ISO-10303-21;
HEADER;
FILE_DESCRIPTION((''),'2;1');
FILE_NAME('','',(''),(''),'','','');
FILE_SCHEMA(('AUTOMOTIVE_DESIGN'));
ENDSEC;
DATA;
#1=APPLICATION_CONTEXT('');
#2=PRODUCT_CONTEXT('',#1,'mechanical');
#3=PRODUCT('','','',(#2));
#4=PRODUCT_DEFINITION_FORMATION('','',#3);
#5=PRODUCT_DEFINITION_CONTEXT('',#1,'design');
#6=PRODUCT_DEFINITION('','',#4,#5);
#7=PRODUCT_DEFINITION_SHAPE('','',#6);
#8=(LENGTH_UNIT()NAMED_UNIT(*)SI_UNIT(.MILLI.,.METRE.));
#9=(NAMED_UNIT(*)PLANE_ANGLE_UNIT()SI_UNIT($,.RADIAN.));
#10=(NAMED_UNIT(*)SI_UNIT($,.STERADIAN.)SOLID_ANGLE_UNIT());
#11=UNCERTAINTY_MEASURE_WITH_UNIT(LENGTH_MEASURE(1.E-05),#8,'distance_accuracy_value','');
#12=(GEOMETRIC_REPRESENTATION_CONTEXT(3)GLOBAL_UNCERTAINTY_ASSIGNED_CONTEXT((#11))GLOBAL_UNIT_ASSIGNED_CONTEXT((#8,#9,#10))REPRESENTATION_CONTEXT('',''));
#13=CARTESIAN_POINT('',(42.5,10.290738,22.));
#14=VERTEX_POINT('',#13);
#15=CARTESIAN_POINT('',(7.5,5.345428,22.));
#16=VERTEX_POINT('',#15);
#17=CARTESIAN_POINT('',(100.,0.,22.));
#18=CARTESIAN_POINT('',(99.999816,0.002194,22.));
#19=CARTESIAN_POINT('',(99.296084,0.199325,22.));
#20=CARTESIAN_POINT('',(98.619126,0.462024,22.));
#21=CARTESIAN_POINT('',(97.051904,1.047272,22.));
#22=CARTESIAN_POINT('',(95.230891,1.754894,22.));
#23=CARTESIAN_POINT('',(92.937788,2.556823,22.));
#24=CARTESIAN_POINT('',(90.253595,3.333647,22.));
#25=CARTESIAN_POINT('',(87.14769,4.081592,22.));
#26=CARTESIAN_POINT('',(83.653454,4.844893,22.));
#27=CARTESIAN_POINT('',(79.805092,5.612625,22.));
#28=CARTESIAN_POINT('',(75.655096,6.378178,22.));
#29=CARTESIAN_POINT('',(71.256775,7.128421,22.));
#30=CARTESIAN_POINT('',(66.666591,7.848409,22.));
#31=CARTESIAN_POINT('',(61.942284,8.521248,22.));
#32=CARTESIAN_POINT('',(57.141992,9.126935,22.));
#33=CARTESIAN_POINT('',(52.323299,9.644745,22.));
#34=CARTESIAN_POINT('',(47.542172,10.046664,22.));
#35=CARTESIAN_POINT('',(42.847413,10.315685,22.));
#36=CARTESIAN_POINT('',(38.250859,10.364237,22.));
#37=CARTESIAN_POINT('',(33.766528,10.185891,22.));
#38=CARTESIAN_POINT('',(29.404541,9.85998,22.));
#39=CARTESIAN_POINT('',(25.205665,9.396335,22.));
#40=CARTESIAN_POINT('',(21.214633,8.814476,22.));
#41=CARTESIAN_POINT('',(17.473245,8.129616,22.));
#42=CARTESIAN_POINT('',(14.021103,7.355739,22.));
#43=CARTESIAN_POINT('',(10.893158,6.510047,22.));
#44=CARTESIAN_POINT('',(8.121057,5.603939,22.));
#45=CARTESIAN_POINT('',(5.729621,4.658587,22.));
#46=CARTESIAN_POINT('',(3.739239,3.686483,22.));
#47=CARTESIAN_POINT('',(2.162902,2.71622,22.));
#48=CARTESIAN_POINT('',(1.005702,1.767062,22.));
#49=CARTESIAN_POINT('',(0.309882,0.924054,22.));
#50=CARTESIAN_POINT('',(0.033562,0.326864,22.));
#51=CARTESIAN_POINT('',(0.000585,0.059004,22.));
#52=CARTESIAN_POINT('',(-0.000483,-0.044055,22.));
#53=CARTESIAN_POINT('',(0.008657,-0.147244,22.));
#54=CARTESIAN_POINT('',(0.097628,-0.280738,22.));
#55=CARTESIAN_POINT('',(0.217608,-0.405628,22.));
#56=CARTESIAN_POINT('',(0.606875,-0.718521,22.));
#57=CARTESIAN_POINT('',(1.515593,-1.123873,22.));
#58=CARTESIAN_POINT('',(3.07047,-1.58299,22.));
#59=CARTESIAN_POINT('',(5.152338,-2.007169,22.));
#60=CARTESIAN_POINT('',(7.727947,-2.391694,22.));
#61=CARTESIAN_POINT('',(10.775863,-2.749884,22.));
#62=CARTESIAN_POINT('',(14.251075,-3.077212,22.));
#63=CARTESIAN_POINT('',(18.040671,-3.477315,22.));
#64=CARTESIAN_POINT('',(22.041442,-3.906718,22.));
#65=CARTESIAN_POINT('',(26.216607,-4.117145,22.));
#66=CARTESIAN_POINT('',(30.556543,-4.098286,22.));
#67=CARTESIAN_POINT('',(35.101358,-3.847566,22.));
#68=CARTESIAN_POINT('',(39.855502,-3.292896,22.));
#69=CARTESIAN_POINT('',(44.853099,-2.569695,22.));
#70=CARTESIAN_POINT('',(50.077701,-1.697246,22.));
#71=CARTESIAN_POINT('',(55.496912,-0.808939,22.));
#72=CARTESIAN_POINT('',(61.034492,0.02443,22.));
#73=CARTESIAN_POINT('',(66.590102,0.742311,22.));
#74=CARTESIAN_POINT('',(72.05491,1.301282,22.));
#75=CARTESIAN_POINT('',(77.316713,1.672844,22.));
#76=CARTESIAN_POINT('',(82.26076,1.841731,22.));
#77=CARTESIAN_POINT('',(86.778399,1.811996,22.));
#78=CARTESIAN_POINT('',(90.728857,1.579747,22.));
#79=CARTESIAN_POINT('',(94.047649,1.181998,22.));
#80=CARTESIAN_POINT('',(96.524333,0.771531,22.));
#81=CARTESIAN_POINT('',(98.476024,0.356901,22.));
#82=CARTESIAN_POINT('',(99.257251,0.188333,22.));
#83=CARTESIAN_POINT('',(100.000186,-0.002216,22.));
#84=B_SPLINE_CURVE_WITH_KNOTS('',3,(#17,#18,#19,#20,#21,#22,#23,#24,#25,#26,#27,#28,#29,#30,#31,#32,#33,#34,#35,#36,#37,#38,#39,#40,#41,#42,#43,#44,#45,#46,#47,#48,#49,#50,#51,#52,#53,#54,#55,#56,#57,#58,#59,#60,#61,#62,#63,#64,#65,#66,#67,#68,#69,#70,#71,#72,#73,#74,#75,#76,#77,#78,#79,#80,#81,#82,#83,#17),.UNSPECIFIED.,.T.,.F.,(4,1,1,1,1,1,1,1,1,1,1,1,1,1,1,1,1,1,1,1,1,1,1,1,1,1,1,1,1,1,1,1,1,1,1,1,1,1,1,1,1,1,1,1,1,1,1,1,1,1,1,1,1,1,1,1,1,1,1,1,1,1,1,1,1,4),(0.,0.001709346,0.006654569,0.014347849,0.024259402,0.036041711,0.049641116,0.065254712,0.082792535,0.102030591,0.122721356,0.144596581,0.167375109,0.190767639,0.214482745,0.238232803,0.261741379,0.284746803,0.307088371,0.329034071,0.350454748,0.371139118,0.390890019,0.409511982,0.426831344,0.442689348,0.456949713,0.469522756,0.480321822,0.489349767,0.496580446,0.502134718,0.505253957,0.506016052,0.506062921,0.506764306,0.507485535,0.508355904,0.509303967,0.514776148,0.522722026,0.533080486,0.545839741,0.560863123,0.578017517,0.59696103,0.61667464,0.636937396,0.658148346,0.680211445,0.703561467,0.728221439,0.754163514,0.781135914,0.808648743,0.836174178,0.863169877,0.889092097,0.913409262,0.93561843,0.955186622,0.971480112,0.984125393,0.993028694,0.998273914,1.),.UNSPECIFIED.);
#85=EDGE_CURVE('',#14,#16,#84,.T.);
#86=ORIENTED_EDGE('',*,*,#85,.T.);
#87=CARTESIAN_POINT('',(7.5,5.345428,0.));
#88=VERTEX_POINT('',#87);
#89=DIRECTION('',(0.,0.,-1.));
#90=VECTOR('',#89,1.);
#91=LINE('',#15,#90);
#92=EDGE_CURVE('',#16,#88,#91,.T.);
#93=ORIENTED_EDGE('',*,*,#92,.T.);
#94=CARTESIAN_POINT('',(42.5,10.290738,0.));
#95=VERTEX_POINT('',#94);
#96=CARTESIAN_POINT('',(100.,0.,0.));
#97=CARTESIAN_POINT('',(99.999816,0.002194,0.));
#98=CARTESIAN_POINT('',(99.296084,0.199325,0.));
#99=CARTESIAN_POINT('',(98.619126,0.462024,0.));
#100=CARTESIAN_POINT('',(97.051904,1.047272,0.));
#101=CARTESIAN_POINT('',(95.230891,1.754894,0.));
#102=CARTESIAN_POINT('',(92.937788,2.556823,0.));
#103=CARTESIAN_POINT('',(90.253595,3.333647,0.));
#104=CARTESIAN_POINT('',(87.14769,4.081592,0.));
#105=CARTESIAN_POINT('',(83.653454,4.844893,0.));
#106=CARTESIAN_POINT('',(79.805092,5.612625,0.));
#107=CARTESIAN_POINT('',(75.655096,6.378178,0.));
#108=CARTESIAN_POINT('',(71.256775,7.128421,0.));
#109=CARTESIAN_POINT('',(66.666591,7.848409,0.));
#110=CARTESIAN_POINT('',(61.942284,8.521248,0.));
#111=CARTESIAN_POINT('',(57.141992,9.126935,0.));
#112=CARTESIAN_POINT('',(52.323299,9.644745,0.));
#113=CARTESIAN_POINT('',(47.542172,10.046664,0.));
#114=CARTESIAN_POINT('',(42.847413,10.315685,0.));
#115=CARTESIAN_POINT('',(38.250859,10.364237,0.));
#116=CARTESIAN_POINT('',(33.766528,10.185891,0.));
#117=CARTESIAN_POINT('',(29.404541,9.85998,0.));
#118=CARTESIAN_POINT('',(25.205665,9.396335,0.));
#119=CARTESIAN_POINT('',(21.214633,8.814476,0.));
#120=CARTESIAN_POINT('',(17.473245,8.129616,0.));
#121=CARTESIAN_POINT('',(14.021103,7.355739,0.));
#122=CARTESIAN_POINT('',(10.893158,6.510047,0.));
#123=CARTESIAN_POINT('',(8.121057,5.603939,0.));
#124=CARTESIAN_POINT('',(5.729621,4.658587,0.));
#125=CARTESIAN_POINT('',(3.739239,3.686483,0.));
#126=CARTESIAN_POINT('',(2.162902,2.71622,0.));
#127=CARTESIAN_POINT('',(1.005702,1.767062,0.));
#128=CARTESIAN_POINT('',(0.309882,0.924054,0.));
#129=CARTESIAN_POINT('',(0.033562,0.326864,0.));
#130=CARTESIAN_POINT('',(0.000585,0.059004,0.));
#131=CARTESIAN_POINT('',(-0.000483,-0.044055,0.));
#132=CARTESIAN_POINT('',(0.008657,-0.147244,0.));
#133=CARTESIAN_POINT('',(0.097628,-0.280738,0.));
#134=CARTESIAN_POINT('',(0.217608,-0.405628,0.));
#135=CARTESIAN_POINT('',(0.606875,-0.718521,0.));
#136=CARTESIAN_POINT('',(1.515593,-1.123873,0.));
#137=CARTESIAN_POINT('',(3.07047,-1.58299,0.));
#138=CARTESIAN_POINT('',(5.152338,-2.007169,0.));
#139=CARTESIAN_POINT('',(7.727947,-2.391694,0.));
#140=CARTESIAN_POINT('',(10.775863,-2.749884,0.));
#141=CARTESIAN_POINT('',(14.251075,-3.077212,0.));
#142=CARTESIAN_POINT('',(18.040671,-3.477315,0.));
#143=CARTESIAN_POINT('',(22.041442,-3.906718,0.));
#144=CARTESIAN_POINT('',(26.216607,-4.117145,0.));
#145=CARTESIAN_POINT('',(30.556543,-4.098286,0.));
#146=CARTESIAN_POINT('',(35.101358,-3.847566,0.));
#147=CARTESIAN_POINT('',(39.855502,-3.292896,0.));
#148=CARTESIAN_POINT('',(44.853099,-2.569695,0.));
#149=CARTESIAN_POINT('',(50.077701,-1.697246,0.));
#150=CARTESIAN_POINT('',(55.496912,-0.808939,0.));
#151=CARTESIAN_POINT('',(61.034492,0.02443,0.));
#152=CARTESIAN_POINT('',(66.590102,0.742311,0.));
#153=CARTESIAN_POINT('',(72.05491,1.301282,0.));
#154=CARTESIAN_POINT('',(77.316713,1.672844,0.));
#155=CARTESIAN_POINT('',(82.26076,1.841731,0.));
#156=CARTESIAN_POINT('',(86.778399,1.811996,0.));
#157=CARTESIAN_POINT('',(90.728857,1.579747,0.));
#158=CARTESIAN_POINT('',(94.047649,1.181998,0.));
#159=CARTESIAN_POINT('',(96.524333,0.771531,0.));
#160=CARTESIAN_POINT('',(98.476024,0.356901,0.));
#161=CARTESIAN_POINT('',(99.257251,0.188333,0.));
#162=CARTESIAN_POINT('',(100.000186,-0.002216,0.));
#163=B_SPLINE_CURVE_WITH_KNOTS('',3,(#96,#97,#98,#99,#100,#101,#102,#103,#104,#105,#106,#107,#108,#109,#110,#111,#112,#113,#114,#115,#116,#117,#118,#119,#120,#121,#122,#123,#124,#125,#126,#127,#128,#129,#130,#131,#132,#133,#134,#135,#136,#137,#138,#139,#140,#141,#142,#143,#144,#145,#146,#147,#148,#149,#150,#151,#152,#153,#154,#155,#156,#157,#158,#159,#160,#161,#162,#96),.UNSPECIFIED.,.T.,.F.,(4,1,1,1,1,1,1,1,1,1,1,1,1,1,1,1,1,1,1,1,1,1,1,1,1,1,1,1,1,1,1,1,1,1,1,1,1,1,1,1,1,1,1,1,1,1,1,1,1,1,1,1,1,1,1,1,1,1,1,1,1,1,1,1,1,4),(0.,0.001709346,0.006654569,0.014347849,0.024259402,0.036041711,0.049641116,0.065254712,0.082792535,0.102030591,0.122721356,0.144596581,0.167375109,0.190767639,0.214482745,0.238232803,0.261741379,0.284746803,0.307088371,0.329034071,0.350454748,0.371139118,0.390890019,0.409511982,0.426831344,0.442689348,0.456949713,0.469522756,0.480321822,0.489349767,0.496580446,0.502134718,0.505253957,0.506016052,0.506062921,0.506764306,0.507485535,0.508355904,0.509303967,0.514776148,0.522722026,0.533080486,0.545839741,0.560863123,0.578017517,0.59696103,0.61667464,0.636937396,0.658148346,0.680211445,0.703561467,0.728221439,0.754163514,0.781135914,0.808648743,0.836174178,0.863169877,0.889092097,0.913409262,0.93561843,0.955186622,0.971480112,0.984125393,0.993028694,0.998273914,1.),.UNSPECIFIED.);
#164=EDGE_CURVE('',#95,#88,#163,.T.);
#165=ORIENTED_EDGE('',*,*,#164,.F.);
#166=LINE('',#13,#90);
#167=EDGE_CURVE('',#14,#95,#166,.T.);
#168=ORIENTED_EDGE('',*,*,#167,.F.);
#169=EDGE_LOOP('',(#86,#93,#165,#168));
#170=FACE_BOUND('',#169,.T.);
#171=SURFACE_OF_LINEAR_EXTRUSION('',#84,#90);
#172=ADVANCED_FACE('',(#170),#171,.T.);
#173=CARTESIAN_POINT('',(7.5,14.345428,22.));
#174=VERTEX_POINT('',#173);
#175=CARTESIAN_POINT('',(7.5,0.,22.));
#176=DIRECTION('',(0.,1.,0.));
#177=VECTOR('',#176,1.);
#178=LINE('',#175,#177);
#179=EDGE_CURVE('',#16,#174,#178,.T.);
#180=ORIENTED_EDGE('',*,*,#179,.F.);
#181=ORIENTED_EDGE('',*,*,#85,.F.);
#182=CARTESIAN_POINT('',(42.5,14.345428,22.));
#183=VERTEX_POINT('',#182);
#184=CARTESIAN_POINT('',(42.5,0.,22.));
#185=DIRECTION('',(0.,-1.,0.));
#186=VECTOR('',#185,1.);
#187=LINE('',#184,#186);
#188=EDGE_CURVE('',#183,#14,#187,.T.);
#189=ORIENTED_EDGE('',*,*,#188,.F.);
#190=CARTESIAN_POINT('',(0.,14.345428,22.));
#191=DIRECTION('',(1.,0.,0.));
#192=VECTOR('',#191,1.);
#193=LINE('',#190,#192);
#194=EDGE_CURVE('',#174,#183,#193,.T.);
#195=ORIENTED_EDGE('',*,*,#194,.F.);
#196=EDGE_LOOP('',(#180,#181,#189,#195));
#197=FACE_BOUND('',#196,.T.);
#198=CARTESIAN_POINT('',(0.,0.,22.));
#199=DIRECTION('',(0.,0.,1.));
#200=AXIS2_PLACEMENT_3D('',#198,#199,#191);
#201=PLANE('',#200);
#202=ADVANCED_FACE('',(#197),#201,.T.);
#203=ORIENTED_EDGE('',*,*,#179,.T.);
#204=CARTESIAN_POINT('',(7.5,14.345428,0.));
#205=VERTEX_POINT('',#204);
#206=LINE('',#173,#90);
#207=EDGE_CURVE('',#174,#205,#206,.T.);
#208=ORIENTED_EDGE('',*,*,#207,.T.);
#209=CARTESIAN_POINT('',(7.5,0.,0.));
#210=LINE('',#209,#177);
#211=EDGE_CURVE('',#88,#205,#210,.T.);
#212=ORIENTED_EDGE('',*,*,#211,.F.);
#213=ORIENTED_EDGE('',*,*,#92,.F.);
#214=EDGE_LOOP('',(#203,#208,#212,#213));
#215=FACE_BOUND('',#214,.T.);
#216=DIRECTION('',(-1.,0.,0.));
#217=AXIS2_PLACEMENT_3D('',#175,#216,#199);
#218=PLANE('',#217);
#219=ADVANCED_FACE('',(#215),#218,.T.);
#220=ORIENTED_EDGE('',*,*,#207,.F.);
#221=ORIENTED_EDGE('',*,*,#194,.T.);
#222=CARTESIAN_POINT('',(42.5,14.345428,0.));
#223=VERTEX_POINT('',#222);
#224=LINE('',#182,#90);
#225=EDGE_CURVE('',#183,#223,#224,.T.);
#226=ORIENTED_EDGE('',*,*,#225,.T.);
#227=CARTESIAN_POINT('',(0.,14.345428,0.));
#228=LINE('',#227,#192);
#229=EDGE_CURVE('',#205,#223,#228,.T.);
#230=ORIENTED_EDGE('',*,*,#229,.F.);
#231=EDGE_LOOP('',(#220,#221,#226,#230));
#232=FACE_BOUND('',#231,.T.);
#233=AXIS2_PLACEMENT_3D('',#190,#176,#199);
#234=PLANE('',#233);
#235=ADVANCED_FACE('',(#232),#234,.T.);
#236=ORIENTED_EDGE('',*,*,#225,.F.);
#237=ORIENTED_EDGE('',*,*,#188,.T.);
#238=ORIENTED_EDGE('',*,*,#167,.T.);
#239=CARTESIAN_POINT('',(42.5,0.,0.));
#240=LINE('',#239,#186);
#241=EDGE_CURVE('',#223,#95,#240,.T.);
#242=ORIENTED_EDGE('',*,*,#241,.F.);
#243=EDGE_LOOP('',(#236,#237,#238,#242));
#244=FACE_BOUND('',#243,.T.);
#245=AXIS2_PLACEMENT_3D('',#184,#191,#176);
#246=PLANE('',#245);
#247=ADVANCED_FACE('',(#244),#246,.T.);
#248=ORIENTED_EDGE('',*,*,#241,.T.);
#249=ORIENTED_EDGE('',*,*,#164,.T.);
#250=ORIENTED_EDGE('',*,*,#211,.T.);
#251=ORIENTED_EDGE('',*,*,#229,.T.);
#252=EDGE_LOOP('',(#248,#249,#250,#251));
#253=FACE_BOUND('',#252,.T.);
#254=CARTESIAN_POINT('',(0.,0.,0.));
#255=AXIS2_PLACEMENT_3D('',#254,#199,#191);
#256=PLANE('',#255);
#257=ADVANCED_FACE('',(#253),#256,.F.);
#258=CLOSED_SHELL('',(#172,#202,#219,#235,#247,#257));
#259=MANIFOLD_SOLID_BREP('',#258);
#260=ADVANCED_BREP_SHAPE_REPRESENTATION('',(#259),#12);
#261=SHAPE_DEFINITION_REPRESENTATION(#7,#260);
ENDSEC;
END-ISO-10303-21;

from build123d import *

# Parameters (mm, degrees)
BOSS_EXTRUDE1_DEPTH = 22


with BuildPart() as part:
    # Sketch3 → Boss-Extrude1 (new body)
    with BuildSketch(Plane.XY):
        with BuildLine():
            Line((7.5, 14.345427563), (7.5, 5.345427563))
            add(Edge.make_bspline(
                [(42.5, 10.290738099), (41.075352057, 10.33423544), (38.150630348, 10.360251139), (33.766527631, 10.18589116), (29.404540771, 9.859979537), (25.205664918, 9.396335122), (21.214632991, 8.814476405), (17.473244617, 8.129616096), (14.021102758, 7.355738731), (10.893158298, 6.510046925), (8.761065062, 5.813136295), (7.673577392, 5.410957689), (7.5, 5.345427563)],
                knots=[0.286215433, 0.286215433, 0.286215433, 0.286215433, 0.307088371, 0.329034071, 0.350454748, 0.371139118, 0.390890019, 0.409511982, 0.426831344, 0.442689348, 0.456949713, 0.459666394, 0.459666394, 0.459666394, 0.459666394], degree=3))
            Line((42.5, 10.290738099), (42.5, 14.345427563))
            Line((42.5, 14.345427563), (7.5, 14.345427563))
        make_face()
    extrude(amount=BOSS_EXTRUDE1_DEPTH)


solid = part.part
